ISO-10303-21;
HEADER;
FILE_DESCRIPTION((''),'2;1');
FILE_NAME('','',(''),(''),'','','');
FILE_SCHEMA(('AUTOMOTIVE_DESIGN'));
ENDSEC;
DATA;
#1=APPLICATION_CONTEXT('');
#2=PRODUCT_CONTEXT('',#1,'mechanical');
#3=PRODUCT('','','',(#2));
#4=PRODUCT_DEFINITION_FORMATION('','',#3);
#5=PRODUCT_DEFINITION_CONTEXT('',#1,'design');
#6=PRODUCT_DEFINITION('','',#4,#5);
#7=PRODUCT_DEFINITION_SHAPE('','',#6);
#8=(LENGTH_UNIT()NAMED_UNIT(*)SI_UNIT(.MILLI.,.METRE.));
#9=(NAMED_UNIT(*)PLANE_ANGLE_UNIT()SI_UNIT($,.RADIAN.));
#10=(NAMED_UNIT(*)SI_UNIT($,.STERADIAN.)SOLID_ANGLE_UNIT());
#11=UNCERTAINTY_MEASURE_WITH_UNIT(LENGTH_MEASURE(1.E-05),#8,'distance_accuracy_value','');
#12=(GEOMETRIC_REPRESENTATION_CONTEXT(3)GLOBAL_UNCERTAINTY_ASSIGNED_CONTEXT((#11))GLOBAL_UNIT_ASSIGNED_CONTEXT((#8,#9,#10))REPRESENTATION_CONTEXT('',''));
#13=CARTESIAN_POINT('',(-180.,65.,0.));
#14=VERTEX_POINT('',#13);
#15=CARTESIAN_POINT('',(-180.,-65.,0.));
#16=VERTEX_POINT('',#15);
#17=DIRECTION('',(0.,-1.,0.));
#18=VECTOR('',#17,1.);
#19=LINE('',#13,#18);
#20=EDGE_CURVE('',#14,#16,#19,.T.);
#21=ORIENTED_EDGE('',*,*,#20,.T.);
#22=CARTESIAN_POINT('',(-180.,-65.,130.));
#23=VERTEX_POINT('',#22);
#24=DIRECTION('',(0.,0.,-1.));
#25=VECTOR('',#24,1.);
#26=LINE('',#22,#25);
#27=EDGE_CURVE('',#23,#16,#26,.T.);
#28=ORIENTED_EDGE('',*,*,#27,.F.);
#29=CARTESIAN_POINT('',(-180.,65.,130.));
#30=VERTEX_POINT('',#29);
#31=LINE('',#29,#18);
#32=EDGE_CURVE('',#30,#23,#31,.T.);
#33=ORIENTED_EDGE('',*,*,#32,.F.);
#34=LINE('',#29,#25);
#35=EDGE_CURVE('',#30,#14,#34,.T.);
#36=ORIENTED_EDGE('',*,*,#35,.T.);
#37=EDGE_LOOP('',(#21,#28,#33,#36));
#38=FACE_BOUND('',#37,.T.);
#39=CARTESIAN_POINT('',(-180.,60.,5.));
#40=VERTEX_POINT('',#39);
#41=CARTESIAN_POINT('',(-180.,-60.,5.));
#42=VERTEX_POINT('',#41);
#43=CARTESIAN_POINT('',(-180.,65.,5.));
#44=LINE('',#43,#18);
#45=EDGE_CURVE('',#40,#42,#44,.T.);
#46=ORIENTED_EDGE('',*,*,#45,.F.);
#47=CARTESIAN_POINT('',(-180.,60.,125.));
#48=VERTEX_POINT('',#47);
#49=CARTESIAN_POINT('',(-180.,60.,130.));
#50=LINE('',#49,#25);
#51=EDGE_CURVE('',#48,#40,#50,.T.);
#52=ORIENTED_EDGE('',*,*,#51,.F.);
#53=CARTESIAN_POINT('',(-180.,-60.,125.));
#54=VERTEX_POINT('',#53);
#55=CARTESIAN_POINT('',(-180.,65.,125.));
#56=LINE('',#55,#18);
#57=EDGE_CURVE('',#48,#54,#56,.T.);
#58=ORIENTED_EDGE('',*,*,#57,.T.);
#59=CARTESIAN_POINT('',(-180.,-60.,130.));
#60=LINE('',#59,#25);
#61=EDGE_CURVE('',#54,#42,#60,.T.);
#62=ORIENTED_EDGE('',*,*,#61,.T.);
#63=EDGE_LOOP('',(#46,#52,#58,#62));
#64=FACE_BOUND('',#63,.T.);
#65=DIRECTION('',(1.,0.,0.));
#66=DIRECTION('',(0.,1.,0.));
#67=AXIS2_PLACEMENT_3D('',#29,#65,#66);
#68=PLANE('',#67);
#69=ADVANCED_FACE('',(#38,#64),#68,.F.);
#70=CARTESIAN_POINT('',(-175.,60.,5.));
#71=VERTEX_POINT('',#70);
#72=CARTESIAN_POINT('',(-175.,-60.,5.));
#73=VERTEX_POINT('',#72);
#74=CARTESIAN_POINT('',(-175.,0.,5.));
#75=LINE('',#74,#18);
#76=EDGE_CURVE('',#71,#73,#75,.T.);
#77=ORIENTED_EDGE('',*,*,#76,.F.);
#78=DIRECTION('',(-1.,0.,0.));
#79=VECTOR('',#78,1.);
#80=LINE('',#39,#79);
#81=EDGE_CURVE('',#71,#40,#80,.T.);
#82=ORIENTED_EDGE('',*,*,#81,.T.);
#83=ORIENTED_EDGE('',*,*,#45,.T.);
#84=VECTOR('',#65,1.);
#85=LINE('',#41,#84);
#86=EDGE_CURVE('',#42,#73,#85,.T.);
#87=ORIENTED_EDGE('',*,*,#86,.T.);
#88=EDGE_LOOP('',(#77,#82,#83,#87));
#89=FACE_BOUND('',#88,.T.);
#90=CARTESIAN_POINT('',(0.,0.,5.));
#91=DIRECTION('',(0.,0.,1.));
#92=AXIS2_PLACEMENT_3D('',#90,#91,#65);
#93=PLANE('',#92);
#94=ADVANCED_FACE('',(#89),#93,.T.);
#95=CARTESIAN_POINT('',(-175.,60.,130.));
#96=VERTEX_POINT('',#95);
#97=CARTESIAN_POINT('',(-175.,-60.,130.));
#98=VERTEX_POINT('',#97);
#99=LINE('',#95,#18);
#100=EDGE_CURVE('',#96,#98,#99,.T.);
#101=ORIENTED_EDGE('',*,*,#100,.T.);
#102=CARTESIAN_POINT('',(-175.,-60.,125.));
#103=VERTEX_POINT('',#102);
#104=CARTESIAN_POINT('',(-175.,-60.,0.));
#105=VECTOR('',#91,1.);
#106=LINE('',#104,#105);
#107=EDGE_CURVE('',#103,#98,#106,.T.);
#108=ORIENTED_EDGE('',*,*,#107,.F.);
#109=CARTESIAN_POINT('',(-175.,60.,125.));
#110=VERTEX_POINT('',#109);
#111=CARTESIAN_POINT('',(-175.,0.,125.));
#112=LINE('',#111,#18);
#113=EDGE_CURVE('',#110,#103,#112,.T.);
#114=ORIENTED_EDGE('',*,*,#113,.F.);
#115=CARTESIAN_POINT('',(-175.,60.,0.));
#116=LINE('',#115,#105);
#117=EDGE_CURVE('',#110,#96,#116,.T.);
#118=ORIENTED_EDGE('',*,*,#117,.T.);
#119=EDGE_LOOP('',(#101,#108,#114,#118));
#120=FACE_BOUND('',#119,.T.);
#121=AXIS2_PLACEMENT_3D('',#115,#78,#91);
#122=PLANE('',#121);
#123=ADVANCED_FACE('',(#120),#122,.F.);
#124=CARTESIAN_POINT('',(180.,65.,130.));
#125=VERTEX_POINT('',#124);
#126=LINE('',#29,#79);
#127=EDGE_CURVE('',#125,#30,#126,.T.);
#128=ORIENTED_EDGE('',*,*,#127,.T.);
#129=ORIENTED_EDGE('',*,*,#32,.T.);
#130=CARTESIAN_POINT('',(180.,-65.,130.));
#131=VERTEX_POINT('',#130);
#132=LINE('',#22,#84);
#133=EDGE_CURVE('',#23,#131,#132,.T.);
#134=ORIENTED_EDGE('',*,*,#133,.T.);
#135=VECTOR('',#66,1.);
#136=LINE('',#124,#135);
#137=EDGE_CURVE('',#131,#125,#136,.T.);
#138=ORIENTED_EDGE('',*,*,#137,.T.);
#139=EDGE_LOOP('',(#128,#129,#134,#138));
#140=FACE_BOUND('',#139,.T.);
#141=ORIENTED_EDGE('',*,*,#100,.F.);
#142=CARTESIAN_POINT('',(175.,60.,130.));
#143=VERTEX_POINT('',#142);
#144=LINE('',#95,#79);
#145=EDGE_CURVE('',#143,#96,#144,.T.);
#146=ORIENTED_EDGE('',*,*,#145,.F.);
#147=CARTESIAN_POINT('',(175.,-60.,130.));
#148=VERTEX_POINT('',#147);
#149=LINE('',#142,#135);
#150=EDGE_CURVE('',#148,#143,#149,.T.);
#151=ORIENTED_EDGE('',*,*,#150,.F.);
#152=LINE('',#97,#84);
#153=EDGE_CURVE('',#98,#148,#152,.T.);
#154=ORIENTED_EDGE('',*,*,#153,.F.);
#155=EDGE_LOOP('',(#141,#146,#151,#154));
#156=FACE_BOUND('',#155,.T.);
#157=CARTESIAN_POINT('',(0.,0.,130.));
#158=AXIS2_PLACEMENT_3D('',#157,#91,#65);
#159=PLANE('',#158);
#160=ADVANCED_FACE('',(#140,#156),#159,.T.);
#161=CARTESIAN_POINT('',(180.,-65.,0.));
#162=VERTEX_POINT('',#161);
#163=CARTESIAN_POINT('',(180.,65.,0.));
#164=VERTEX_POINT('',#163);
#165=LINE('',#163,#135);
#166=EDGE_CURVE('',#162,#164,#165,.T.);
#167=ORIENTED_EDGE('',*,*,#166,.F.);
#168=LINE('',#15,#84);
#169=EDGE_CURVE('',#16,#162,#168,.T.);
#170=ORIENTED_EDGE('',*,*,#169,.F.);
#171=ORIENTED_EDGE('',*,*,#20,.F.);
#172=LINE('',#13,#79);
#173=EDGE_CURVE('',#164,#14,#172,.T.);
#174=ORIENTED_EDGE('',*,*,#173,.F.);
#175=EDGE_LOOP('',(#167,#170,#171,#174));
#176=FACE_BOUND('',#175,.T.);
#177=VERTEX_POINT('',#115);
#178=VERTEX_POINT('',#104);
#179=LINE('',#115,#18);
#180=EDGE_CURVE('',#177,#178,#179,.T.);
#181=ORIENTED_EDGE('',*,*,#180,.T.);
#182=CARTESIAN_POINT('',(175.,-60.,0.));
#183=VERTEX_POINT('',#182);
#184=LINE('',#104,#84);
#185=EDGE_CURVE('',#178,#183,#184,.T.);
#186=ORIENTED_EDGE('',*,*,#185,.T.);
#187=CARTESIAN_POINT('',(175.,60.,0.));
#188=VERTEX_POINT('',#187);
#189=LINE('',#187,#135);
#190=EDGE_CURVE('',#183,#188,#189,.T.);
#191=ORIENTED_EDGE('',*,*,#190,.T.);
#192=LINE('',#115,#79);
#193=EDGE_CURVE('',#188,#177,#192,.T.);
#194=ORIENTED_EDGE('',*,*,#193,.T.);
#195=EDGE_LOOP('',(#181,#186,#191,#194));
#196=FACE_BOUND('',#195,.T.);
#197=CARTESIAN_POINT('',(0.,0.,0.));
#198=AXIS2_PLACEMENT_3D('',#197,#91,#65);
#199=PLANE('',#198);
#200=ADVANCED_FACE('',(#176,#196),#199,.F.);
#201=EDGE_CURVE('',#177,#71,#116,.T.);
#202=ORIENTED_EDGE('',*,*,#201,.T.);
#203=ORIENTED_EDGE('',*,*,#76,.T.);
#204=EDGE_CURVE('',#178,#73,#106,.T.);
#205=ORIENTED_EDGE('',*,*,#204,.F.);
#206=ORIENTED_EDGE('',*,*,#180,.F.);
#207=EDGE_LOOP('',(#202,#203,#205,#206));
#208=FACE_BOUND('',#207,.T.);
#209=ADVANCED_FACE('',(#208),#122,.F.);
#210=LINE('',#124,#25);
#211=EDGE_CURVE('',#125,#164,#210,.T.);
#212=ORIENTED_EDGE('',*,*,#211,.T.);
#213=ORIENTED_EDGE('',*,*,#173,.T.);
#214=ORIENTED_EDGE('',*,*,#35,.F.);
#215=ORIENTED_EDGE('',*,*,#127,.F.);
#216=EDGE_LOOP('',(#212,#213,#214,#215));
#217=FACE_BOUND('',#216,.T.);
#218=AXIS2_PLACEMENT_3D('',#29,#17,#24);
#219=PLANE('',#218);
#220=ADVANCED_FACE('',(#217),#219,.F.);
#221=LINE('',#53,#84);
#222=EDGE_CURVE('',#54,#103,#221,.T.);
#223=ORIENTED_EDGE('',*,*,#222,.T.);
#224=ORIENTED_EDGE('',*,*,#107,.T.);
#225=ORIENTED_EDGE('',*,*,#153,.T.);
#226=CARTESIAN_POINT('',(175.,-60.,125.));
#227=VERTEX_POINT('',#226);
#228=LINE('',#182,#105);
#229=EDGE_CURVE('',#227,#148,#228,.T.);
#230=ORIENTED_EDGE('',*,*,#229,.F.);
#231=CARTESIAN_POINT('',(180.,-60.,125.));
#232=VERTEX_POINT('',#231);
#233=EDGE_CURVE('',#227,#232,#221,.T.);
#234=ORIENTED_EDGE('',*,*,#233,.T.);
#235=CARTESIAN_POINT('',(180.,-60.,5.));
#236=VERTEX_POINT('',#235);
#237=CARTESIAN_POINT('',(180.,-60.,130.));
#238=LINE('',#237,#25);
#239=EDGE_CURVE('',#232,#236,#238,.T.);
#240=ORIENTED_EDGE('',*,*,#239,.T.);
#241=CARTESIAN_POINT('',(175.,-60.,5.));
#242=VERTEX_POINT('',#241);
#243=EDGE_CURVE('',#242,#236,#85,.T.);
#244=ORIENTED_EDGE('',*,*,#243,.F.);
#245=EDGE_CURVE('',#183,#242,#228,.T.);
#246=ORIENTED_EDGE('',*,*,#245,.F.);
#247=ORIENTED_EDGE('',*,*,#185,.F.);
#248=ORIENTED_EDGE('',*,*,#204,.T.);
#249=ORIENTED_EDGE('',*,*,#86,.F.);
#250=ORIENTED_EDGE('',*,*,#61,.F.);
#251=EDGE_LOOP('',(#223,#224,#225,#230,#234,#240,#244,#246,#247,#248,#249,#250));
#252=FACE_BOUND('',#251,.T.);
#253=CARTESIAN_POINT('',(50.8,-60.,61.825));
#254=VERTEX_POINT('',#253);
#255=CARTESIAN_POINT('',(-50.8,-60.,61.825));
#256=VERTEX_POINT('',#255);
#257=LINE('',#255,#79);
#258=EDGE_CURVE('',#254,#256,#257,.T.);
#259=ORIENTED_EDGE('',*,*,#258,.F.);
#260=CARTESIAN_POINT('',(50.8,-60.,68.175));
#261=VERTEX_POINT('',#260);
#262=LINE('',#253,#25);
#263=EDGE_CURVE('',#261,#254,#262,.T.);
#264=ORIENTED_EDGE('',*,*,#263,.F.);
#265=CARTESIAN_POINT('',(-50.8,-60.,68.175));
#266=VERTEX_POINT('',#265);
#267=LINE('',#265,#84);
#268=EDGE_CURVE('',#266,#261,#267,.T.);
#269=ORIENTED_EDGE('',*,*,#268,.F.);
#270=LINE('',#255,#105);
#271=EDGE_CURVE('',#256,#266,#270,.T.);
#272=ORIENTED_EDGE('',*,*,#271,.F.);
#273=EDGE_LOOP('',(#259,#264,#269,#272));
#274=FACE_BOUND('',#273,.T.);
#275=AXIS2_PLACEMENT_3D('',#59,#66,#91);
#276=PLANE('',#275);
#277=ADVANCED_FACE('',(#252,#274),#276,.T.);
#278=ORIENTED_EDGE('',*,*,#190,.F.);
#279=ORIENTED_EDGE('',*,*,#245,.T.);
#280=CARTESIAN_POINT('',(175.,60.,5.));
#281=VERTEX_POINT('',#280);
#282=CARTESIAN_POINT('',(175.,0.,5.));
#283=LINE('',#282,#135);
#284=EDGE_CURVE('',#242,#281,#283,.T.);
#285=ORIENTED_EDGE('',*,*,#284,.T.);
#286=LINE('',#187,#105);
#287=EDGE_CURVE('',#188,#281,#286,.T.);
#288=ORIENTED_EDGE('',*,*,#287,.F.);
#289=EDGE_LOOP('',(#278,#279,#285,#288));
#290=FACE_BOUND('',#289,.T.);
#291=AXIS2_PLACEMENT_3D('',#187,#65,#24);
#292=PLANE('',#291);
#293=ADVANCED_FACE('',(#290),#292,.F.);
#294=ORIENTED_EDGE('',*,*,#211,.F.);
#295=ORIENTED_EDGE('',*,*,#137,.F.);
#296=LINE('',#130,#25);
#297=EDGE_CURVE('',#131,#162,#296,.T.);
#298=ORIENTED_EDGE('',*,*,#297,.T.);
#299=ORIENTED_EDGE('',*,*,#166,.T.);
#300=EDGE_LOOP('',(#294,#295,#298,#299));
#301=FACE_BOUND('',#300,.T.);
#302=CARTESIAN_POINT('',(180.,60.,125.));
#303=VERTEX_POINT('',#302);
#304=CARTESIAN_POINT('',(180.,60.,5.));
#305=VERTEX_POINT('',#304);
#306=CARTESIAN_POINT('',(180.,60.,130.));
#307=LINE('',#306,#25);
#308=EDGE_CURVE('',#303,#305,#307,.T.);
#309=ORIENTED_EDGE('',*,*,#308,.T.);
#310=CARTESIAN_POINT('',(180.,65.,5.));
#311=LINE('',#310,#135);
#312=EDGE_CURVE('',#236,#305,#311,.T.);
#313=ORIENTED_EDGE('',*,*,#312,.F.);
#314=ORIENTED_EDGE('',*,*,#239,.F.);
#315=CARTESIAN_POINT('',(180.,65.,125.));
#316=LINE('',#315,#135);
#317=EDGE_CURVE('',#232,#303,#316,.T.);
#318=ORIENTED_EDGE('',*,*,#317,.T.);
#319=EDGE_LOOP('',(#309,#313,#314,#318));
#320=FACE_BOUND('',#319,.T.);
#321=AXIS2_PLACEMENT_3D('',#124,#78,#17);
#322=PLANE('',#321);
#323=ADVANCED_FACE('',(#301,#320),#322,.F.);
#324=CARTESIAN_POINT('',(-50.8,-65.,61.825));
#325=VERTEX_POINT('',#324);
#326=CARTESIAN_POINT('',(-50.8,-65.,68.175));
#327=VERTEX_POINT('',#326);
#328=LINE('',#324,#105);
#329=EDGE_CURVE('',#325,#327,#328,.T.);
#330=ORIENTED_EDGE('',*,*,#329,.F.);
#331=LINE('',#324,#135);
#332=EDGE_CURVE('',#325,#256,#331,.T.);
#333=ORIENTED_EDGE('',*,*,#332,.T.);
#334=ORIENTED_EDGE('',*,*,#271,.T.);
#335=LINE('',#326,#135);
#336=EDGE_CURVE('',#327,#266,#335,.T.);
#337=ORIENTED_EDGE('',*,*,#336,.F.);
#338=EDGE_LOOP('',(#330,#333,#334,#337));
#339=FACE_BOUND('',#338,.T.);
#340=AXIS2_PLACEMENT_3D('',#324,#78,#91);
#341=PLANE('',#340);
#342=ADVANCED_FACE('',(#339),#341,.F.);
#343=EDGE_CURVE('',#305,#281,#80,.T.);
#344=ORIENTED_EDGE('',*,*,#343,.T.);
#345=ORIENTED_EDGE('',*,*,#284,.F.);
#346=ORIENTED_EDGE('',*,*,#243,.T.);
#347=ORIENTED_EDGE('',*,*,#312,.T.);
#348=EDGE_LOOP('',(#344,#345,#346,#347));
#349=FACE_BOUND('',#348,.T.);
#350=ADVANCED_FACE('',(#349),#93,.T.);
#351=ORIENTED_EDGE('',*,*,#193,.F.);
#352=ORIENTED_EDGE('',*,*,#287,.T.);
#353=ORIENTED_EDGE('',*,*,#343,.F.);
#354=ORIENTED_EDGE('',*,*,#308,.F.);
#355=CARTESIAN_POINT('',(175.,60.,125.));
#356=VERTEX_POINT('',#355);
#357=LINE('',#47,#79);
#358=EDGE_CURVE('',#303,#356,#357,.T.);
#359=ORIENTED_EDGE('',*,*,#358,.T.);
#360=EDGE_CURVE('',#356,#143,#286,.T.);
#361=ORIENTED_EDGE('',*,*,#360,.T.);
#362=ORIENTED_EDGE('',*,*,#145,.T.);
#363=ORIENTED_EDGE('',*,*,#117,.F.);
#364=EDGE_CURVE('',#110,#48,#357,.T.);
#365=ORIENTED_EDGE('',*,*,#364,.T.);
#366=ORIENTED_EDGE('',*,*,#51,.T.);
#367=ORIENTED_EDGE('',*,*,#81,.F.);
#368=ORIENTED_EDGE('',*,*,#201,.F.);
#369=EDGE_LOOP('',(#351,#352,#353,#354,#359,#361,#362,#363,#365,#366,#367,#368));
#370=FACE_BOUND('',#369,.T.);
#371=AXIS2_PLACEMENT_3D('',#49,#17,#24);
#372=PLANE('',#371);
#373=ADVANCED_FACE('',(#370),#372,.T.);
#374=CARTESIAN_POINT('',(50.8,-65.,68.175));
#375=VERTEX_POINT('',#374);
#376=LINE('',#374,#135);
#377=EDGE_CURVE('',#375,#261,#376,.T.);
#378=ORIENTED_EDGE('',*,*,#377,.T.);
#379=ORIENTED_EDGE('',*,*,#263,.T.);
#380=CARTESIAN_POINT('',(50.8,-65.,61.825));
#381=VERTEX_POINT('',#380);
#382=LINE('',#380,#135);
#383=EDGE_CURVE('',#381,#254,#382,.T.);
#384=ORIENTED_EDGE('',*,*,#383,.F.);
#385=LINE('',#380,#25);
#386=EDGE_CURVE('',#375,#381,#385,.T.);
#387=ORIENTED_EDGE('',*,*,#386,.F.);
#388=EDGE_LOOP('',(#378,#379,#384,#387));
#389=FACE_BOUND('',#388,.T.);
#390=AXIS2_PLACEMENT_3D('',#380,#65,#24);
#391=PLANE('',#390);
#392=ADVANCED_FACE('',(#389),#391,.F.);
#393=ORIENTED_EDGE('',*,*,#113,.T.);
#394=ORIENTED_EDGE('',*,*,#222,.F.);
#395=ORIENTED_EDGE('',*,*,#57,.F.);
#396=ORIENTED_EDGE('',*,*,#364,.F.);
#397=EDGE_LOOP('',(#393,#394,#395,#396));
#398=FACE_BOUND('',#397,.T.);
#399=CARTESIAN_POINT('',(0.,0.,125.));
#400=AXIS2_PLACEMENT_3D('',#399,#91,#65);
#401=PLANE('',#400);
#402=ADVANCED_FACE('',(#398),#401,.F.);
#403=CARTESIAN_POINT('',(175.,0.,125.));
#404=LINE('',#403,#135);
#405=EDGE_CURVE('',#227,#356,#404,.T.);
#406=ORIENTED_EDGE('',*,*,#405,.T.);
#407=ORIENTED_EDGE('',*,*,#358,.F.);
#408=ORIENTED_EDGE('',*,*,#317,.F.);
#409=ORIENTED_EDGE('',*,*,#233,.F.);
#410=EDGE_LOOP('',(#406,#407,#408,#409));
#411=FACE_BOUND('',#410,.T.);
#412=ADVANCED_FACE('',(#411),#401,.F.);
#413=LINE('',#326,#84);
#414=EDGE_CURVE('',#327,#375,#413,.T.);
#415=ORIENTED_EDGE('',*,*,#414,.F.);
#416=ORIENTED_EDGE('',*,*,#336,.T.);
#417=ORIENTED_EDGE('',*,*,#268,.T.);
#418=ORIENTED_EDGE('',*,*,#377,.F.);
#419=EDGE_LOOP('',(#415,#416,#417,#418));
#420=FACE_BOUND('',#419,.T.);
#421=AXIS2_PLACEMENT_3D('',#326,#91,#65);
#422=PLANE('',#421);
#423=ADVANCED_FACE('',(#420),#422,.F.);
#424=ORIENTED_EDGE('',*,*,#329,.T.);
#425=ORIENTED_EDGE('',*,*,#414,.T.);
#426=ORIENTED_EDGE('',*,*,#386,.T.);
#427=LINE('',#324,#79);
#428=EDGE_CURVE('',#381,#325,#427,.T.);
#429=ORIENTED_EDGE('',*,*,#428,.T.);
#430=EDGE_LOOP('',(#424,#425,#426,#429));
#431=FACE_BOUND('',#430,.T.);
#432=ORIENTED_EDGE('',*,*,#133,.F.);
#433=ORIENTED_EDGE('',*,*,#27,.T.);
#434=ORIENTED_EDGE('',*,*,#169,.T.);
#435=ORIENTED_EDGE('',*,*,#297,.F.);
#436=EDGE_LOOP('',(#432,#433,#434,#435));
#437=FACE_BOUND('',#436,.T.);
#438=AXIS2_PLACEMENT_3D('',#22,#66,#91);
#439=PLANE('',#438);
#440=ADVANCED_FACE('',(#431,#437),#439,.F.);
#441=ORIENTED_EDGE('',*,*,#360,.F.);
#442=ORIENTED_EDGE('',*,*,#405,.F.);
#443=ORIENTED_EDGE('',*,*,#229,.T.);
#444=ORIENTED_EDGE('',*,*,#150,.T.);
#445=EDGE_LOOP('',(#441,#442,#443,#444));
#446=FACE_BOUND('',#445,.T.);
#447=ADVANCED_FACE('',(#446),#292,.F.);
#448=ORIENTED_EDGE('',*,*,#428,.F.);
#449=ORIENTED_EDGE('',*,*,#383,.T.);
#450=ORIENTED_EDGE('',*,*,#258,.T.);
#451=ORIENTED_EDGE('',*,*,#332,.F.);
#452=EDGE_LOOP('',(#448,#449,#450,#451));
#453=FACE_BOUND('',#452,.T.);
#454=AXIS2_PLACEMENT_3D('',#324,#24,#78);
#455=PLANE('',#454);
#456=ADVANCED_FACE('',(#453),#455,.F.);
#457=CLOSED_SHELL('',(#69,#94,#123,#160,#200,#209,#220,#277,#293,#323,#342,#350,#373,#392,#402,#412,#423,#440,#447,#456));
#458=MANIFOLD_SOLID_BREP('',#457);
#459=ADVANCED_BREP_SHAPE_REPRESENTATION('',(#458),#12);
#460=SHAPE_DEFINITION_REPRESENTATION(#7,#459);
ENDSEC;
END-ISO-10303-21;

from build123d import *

# Parameters (mm, degrees)
SKETCH1_W           = 360
SKETCH1_H           = 130
BOSS_EXTRUDE1_DEPTH = 130
SHELL1_T            = -5
SKETCH2_W           = 350
SKETCH2_H           = 120
CUT_EXTRUDE1_DEPTH  = 232.354706025
SKETCH3_W           = 101.6
SKETCH3_H           = 6.35
CUT_EXTRUDE2_DEPTH  = 255.803846125


with BuildPart() as part:
    # Sketch1 → Boss-Extrude1 (new body)
    with BuildSketch(Plane.XY):
        Rectangle(SKETCH1_W, SKETCH1_H)
    extrude(amount=BOSS_EXTRUDE1_DEPTH)

    # Shell1
    shell1_openings = [part.faces().sort_by_distance(p)[0] for p in [
        (-180, 0, 65),
        (180, 0, 65),
    ]]
    offset(amount=SHELL1_T, openings=shell1_openings, kind=Kind.INTERSECTION)

    # Sketch2 → Cut-Extrude1 (cut, through all)
    with BuildSketch(Plane.XY.offset(130)):
        Rectangle(SKETCH2_W, SKETCH2_H)
    extrude(amount=-CUT_EXTRUDE1_DEPTH, mode=Mode.SUBTRACT)

    # Sketch3 → Cut-Extrude2 (cut, through all)
    with BuildSketch(Plane(origin=(0, -60, 0), x_dir=(1, 0, 0), z_dir=(0, 1, 0))):
        with Locations((0, -65)):
            Rectangle(SKETCH3_W, SKETCH3_H)
    extrude(amount=-CUT_EXTRUDE2_DEPTH, mode=Mode.SUBTRACT)


solid = part.part
